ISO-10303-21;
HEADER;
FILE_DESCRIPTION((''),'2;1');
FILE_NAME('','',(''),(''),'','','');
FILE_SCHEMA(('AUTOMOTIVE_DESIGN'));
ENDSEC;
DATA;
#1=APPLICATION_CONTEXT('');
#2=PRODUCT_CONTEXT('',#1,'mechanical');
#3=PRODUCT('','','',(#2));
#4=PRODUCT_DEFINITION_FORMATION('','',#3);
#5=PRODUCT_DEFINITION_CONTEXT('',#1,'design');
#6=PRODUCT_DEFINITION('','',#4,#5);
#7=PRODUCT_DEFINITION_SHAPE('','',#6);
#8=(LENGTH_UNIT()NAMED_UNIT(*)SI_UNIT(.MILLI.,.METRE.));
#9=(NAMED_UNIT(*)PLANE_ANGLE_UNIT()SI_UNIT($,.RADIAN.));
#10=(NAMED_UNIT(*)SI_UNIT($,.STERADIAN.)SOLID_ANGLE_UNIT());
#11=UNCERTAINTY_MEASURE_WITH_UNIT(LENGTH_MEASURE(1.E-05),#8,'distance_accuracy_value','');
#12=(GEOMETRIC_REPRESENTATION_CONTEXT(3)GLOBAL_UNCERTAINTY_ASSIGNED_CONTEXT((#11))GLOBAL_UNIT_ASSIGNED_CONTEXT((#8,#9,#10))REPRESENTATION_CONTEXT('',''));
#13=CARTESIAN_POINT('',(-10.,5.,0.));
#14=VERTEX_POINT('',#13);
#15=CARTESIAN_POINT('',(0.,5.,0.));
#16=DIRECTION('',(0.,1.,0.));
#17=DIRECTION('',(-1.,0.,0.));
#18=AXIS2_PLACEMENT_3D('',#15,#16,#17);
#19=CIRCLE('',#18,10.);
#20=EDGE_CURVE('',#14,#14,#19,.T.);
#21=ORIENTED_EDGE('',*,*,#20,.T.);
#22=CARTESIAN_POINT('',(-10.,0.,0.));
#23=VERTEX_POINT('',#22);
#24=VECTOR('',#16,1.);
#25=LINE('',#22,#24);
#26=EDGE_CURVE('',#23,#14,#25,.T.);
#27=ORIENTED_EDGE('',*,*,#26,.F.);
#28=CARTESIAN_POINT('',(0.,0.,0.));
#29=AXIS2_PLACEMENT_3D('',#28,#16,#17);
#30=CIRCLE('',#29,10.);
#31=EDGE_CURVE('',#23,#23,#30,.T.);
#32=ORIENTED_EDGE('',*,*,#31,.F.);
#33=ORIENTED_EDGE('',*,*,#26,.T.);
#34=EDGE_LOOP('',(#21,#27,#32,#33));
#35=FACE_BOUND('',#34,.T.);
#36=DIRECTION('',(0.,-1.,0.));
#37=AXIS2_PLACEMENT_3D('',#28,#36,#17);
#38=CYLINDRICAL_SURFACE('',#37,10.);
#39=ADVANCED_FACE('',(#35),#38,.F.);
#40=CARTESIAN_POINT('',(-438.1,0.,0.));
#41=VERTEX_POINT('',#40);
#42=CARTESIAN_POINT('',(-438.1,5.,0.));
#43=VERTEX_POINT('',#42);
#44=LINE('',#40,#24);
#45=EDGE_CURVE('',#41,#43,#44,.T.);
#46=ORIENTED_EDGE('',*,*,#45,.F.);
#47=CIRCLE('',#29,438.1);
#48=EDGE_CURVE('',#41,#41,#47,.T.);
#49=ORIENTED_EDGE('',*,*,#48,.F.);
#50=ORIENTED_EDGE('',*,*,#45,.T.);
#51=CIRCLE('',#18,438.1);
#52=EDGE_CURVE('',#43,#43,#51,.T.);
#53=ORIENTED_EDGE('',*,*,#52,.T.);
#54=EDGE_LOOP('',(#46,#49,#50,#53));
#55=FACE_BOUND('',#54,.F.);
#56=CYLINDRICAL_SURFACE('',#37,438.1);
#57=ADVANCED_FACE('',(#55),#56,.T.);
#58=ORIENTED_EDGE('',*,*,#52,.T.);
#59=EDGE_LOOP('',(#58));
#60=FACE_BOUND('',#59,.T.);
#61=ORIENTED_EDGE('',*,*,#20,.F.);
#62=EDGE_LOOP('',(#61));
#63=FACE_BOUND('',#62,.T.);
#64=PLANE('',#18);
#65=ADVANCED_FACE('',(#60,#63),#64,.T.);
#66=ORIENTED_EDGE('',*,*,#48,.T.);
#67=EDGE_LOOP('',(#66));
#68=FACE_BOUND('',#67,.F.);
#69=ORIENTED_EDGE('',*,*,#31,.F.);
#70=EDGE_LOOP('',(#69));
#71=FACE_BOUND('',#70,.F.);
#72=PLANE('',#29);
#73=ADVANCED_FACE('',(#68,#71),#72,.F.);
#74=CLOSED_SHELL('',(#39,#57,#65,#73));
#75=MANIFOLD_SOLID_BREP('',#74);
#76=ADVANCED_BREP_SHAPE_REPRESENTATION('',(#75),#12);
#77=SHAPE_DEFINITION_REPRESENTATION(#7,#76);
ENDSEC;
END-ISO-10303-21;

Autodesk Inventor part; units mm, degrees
ref_plane "YZ Plane" through (0, 0, 0) normal (1, 0, 0) x (0, 1, 0)
ref_plane "XZ Plane" through (0, 0, 0) normal (0, 1, 0) x (-1, 0, 0)
ref_plane "XY Plane" through (0, 0, 0) normal (0, 0, 1) x (1, 0, 0)
sketch "Sketch1" plane through (0, 0, 0) normal (0, 1, 0) x (-1, 0, 0)
  circle A0 centre (0, 0) radius 438.1
  circle A1 centre (0, 0) radius 10
  dimension "d0" = 20
  dimension "d1" = 876.2
extrude "Extrusion1" add sketch "Sketch1" along normal blind 5
properties part number "RotorDiskV1"
